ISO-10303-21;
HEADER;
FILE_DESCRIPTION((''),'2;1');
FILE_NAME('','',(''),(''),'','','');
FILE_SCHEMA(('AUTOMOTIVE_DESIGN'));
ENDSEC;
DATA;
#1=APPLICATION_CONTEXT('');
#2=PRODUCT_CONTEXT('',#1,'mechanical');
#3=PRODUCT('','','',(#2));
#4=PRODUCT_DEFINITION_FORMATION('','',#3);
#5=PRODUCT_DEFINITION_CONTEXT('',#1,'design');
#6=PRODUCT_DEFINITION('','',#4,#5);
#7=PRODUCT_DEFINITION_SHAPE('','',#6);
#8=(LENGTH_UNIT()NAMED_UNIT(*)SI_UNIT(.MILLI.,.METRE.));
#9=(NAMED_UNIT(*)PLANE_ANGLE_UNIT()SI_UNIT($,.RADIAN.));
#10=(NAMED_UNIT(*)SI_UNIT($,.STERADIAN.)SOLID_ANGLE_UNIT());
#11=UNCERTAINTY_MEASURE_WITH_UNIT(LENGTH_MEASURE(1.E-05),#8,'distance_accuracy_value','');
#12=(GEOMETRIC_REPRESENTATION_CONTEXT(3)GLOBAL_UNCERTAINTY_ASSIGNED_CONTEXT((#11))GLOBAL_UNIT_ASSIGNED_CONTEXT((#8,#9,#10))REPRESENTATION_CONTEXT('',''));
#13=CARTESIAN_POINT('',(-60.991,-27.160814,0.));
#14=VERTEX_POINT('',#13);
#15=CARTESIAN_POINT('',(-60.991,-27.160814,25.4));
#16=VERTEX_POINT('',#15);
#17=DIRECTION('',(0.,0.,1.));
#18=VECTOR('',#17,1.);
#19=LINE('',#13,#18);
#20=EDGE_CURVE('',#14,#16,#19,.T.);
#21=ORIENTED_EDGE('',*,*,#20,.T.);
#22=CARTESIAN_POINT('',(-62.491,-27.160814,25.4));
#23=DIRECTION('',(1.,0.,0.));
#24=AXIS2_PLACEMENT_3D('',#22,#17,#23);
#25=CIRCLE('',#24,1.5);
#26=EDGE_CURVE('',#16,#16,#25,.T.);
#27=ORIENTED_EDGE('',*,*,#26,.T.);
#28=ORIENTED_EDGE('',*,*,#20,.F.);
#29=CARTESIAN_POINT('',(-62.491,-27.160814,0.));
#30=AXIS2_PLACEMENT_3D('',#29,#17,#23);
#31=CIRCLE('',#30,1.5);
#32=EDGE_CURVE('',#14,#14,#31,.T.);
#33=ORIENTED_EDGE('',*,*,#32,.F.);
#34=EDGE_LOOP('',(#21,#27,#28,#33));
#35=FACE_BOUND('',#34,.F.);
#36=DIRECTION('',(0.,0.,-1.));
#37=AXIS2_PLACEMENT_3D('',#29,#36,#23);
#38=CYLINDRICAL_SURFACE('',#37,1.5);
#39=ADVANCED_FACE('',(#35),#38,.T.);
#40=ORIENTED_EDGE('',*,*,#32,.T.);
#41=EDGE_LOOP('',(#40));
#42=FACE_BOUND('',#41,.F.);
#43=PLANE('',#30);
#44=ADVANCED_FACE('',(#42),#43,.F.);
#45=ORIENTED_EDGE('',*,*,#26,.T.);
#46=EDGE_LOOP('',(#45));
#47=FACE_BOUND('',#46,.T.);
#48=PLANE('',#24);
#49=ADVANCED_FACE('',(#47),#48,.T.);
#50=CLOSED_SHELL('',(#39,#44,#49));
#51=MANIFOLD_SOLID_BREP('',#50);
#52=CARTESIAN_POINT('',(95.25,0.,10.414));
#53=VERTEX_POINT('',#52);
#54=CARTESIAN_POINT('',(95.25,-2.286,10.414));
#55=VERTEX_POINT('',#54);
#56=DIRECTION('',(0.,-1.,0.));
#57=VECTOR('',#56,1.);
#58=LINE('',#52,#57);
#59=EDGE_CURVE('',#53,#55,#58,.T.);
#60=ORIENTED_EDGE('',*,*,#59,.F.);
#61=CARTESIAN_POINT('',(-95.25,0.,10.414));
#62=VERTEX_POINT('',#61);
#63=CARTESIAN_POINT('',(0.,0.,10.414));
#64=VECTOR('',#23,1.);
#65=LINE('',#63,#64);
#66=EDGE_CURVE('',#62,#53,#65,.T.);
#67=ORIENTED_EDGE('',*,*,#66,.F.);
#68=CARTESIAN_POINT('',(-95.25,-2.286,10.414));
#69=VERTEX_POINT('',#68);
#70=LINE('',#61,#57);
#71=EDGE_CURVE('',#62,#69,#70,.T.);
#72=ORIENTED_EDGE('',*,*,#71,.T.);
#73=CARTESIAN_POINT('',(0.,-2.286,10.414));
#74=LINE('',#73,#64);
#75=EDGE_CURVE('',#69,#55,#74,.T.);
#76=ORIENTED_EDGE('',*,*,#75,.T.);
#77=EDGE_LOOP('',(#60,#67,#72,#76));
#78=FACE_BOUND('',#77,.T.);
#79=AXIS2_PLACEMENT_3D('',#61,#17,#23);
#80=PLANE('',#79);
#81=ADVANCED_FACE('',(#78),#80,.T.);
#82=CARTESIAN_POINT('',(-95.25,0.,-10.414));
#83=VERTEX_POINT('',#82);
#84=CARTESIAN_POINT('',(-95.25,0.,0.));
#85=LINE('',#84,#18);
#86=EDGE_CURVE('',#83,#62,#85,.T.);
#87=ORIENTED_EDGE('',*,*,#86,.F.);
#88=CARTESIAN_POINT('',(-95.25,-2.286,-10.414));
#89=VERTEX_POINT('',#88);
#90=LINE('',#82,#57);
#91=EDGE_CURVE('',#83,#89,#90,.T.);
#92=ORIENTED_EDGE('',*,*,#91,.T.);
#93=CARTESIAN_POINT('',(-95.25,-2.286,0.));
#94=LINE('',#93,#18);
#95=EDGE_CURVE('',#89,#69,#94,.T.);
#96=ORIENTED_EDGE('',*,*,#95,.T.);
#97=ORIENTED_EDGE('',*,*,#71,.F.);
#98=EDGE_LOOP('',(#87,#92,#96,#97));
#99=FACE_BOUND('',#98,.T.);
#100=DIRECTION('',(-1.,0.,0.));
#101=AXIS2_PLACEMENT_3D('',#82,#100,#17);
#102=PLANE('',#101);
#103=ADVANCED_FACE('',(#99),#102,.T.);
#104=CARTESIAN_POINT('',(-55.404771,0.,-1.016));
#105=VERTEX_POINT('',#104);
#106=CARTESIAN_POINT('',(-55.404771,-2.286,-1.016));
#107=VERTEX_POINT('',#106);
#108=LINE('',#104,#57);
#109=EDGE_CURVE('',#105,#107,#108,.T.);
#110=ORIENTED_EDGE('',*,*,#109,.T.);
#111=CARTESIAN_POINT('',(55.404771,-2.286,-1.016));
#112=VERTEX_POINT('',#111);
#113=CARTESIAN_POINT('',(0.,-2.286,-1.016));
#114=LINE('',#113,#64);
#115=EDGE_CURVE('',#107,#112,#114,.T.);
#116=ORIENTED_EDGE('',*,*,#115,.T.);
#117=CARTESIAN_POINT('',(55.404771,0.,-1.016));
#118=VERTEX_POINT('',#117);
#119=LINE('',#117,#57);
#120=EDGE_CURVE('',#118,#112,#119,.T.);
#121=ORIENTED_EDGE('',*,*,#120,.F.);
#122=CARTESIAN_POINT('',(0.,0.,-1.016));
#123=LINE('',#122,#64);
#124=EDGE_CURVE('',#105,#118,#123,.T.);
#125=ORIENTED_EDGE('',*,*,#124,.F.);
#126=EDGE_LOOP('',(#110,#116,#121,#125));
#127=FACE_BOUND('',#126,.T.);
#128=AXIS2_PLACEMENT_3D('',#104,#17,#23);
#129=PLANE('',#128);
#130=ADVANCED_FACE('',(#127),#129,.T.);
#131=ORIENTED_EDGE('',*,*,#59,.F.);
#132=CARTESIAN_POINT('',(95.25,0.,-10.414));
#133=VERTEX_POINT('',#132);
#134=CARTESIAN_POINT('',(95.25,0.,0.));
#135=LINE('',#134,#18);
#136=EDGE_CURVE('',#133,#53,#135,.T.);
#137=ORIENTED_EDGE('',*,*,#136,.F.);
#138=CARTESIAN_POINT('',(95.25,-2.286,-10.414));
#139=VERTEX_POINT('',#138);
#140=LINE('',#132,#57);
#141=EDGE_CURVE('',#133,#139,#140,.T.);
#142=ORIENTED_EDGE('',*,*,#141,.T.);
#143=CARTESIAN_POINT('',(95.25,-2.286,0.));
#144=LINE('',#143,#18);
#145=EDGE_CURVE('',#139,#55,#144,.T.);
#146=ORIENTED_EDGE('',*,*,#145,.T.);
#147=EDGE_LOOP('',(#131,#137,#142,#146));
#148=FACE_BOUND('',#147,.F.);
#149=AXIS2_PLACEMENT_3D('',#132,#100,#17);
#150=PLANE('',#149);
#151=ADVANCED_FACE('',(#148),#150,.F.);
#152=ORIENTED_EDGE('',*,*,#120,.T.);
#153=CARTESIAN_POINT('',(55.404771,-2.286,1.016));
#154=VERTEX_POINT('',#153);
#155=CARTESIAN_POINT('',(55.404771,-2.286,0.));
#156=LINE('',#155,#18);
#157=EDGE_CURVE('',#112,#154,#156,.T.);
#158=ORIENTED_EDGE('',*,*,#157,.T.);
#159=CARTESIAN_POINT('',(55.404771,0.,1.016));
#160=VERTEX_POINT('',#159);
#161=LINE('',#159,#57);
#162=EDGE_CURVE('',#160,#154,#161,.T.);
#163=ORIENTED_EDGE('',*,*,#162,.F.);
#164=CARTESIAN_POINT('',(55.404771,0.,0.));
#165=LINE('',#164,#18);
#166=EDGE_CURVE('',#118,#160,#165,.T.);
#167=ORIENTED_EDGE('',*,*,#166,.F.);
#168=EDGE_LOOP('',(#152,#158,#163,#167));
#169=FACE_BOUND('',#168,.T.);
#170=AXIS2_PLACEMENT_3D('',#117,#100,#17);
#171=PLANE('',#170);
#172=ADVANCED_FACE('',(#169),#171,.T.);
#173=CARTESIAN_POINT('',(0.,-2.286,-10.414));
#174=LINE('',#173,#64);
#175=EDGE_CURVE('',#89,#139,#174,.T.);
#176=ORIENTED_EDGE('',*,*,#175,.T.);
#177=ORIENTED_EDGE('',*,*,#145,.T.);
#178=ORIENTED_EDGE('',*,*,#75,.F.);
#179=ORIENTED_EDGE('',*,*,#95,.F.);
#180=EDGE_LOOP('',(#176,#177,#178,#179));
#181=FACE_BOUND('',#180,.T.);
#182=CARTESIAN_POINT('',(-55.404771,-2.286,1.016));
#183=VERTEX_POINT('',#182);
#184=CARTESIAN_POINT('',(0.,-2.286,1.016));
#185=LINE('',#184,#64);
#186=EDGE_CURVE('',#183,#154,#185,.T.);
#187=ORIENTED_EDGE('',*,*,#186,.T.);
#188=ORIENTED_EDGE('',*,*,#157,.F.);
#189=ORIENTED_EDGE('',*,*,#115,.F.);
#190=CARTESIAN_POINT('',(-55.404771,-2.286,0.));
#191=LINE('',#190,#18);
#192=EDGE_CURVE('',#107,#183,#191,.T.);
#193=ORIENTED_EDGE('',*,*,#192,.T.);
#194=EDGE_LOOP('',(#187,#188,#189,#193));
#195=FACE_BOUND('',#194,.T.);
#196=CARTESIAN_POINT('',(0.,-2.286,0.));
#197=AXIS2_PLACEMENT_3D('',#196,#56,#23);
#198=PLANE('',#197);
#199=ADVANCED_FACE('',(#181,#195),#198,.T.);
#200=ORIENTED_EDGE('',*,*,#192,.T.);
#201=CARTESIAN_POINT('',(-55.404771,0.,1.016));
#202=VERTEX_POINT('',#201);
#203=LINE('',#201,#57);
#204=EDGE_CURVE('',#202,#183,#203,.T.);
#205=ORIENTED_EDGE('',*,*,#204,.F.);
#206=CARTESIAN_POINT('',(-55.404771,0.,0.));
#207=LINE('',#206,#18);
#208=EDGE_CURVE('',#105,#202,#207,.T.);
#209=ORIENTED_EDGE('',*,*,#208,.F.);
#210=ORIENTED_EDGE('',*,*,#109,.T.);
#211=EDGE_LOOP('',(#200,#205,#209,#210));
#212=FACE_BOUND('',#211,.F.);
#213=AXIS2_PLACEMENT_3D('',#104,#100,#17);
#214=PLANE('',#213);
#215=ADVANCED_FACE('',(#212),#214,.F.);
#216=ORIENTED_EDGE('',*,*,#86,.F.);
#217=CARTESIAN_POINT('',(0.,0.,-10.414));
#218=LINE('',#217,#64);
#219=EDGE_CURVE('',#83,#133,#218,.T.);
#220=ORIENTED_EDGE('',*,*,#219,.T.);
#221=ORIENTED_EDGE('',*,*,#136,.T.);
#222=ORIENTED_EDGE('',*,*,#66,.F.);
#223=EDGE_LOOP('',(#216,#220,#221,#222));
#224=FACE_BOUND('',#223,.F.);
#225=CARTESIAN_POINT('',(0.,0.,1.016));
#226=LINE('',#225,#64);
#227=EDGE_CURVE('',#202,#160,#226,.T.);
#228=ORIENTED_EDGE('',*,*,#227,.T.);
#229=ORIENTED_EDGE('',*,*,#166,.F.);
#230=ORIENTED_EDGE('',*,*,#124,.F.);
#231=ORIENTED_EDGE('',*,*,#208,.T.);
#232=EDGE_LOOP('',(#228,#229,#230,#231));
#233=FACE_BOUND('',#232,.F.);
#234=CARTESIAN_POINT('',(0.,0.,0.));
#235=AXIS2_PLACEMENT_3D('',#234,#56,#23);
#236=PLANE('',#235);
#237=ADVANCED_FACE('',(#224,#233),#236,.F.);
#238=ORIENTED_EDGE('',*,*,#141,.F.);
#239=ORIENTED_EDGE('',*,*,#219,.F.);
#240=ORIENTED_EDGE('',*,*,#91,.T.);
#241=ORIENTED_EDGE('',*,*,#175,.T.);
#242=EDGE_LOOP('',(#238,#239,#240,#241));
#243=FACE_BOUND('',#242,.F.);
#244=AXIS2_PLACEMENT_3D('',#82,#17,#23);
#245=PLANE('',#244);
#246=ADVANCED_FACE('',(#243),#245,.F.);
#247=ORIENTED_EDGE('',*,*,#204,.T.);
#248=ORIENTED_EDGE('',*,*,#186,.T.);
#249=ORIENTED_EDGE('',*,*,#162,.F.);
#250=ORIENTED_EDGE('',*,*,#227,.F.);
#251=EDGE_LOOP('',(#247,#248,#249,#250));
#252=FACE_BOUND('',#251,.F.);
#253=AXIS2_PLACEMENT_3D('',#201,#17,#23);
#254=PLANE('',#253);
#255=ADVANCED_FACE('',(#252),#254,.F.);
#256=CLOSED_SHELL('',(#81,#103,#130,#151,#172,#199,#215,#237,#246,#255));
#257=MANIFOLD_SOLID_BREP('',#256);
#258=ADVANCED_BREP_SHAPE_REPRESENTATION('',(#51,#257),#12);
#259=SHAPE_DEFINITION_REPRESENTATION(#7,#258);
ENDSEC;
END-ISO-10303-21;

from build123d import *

# Parameters (mm, degrees)
F0_W     = 190.5
F0_H     = 20.828
F0_W_2   = 110.809542
F0_H_2   = 2.032
F1_DEPTH = 2.286
F2_R     = 1.5
F3_DEPTH = 25.4


with BuildPart() as f1:
    # F0 (on Front) → F1 (new body)
    with BuildSketch(Plane.XZ):
        Rectangle(F0_W, F0_H)
        Rectangle(F0_W_2, F0_H_2, mode=Mode.SUBTRACT)
    extrude(amount=F1_DEPTH)


with BuildPart() as f3:
    # F2 (on Top) → F3 (new body)
    with BuildSketch(Plane.XY):
        with Locations((-62.491, -27.160814)):
            Circle(F2_R)
    extrude(amount=F3_DEPTH)


solid = Compound([f1.part, f3.part])
